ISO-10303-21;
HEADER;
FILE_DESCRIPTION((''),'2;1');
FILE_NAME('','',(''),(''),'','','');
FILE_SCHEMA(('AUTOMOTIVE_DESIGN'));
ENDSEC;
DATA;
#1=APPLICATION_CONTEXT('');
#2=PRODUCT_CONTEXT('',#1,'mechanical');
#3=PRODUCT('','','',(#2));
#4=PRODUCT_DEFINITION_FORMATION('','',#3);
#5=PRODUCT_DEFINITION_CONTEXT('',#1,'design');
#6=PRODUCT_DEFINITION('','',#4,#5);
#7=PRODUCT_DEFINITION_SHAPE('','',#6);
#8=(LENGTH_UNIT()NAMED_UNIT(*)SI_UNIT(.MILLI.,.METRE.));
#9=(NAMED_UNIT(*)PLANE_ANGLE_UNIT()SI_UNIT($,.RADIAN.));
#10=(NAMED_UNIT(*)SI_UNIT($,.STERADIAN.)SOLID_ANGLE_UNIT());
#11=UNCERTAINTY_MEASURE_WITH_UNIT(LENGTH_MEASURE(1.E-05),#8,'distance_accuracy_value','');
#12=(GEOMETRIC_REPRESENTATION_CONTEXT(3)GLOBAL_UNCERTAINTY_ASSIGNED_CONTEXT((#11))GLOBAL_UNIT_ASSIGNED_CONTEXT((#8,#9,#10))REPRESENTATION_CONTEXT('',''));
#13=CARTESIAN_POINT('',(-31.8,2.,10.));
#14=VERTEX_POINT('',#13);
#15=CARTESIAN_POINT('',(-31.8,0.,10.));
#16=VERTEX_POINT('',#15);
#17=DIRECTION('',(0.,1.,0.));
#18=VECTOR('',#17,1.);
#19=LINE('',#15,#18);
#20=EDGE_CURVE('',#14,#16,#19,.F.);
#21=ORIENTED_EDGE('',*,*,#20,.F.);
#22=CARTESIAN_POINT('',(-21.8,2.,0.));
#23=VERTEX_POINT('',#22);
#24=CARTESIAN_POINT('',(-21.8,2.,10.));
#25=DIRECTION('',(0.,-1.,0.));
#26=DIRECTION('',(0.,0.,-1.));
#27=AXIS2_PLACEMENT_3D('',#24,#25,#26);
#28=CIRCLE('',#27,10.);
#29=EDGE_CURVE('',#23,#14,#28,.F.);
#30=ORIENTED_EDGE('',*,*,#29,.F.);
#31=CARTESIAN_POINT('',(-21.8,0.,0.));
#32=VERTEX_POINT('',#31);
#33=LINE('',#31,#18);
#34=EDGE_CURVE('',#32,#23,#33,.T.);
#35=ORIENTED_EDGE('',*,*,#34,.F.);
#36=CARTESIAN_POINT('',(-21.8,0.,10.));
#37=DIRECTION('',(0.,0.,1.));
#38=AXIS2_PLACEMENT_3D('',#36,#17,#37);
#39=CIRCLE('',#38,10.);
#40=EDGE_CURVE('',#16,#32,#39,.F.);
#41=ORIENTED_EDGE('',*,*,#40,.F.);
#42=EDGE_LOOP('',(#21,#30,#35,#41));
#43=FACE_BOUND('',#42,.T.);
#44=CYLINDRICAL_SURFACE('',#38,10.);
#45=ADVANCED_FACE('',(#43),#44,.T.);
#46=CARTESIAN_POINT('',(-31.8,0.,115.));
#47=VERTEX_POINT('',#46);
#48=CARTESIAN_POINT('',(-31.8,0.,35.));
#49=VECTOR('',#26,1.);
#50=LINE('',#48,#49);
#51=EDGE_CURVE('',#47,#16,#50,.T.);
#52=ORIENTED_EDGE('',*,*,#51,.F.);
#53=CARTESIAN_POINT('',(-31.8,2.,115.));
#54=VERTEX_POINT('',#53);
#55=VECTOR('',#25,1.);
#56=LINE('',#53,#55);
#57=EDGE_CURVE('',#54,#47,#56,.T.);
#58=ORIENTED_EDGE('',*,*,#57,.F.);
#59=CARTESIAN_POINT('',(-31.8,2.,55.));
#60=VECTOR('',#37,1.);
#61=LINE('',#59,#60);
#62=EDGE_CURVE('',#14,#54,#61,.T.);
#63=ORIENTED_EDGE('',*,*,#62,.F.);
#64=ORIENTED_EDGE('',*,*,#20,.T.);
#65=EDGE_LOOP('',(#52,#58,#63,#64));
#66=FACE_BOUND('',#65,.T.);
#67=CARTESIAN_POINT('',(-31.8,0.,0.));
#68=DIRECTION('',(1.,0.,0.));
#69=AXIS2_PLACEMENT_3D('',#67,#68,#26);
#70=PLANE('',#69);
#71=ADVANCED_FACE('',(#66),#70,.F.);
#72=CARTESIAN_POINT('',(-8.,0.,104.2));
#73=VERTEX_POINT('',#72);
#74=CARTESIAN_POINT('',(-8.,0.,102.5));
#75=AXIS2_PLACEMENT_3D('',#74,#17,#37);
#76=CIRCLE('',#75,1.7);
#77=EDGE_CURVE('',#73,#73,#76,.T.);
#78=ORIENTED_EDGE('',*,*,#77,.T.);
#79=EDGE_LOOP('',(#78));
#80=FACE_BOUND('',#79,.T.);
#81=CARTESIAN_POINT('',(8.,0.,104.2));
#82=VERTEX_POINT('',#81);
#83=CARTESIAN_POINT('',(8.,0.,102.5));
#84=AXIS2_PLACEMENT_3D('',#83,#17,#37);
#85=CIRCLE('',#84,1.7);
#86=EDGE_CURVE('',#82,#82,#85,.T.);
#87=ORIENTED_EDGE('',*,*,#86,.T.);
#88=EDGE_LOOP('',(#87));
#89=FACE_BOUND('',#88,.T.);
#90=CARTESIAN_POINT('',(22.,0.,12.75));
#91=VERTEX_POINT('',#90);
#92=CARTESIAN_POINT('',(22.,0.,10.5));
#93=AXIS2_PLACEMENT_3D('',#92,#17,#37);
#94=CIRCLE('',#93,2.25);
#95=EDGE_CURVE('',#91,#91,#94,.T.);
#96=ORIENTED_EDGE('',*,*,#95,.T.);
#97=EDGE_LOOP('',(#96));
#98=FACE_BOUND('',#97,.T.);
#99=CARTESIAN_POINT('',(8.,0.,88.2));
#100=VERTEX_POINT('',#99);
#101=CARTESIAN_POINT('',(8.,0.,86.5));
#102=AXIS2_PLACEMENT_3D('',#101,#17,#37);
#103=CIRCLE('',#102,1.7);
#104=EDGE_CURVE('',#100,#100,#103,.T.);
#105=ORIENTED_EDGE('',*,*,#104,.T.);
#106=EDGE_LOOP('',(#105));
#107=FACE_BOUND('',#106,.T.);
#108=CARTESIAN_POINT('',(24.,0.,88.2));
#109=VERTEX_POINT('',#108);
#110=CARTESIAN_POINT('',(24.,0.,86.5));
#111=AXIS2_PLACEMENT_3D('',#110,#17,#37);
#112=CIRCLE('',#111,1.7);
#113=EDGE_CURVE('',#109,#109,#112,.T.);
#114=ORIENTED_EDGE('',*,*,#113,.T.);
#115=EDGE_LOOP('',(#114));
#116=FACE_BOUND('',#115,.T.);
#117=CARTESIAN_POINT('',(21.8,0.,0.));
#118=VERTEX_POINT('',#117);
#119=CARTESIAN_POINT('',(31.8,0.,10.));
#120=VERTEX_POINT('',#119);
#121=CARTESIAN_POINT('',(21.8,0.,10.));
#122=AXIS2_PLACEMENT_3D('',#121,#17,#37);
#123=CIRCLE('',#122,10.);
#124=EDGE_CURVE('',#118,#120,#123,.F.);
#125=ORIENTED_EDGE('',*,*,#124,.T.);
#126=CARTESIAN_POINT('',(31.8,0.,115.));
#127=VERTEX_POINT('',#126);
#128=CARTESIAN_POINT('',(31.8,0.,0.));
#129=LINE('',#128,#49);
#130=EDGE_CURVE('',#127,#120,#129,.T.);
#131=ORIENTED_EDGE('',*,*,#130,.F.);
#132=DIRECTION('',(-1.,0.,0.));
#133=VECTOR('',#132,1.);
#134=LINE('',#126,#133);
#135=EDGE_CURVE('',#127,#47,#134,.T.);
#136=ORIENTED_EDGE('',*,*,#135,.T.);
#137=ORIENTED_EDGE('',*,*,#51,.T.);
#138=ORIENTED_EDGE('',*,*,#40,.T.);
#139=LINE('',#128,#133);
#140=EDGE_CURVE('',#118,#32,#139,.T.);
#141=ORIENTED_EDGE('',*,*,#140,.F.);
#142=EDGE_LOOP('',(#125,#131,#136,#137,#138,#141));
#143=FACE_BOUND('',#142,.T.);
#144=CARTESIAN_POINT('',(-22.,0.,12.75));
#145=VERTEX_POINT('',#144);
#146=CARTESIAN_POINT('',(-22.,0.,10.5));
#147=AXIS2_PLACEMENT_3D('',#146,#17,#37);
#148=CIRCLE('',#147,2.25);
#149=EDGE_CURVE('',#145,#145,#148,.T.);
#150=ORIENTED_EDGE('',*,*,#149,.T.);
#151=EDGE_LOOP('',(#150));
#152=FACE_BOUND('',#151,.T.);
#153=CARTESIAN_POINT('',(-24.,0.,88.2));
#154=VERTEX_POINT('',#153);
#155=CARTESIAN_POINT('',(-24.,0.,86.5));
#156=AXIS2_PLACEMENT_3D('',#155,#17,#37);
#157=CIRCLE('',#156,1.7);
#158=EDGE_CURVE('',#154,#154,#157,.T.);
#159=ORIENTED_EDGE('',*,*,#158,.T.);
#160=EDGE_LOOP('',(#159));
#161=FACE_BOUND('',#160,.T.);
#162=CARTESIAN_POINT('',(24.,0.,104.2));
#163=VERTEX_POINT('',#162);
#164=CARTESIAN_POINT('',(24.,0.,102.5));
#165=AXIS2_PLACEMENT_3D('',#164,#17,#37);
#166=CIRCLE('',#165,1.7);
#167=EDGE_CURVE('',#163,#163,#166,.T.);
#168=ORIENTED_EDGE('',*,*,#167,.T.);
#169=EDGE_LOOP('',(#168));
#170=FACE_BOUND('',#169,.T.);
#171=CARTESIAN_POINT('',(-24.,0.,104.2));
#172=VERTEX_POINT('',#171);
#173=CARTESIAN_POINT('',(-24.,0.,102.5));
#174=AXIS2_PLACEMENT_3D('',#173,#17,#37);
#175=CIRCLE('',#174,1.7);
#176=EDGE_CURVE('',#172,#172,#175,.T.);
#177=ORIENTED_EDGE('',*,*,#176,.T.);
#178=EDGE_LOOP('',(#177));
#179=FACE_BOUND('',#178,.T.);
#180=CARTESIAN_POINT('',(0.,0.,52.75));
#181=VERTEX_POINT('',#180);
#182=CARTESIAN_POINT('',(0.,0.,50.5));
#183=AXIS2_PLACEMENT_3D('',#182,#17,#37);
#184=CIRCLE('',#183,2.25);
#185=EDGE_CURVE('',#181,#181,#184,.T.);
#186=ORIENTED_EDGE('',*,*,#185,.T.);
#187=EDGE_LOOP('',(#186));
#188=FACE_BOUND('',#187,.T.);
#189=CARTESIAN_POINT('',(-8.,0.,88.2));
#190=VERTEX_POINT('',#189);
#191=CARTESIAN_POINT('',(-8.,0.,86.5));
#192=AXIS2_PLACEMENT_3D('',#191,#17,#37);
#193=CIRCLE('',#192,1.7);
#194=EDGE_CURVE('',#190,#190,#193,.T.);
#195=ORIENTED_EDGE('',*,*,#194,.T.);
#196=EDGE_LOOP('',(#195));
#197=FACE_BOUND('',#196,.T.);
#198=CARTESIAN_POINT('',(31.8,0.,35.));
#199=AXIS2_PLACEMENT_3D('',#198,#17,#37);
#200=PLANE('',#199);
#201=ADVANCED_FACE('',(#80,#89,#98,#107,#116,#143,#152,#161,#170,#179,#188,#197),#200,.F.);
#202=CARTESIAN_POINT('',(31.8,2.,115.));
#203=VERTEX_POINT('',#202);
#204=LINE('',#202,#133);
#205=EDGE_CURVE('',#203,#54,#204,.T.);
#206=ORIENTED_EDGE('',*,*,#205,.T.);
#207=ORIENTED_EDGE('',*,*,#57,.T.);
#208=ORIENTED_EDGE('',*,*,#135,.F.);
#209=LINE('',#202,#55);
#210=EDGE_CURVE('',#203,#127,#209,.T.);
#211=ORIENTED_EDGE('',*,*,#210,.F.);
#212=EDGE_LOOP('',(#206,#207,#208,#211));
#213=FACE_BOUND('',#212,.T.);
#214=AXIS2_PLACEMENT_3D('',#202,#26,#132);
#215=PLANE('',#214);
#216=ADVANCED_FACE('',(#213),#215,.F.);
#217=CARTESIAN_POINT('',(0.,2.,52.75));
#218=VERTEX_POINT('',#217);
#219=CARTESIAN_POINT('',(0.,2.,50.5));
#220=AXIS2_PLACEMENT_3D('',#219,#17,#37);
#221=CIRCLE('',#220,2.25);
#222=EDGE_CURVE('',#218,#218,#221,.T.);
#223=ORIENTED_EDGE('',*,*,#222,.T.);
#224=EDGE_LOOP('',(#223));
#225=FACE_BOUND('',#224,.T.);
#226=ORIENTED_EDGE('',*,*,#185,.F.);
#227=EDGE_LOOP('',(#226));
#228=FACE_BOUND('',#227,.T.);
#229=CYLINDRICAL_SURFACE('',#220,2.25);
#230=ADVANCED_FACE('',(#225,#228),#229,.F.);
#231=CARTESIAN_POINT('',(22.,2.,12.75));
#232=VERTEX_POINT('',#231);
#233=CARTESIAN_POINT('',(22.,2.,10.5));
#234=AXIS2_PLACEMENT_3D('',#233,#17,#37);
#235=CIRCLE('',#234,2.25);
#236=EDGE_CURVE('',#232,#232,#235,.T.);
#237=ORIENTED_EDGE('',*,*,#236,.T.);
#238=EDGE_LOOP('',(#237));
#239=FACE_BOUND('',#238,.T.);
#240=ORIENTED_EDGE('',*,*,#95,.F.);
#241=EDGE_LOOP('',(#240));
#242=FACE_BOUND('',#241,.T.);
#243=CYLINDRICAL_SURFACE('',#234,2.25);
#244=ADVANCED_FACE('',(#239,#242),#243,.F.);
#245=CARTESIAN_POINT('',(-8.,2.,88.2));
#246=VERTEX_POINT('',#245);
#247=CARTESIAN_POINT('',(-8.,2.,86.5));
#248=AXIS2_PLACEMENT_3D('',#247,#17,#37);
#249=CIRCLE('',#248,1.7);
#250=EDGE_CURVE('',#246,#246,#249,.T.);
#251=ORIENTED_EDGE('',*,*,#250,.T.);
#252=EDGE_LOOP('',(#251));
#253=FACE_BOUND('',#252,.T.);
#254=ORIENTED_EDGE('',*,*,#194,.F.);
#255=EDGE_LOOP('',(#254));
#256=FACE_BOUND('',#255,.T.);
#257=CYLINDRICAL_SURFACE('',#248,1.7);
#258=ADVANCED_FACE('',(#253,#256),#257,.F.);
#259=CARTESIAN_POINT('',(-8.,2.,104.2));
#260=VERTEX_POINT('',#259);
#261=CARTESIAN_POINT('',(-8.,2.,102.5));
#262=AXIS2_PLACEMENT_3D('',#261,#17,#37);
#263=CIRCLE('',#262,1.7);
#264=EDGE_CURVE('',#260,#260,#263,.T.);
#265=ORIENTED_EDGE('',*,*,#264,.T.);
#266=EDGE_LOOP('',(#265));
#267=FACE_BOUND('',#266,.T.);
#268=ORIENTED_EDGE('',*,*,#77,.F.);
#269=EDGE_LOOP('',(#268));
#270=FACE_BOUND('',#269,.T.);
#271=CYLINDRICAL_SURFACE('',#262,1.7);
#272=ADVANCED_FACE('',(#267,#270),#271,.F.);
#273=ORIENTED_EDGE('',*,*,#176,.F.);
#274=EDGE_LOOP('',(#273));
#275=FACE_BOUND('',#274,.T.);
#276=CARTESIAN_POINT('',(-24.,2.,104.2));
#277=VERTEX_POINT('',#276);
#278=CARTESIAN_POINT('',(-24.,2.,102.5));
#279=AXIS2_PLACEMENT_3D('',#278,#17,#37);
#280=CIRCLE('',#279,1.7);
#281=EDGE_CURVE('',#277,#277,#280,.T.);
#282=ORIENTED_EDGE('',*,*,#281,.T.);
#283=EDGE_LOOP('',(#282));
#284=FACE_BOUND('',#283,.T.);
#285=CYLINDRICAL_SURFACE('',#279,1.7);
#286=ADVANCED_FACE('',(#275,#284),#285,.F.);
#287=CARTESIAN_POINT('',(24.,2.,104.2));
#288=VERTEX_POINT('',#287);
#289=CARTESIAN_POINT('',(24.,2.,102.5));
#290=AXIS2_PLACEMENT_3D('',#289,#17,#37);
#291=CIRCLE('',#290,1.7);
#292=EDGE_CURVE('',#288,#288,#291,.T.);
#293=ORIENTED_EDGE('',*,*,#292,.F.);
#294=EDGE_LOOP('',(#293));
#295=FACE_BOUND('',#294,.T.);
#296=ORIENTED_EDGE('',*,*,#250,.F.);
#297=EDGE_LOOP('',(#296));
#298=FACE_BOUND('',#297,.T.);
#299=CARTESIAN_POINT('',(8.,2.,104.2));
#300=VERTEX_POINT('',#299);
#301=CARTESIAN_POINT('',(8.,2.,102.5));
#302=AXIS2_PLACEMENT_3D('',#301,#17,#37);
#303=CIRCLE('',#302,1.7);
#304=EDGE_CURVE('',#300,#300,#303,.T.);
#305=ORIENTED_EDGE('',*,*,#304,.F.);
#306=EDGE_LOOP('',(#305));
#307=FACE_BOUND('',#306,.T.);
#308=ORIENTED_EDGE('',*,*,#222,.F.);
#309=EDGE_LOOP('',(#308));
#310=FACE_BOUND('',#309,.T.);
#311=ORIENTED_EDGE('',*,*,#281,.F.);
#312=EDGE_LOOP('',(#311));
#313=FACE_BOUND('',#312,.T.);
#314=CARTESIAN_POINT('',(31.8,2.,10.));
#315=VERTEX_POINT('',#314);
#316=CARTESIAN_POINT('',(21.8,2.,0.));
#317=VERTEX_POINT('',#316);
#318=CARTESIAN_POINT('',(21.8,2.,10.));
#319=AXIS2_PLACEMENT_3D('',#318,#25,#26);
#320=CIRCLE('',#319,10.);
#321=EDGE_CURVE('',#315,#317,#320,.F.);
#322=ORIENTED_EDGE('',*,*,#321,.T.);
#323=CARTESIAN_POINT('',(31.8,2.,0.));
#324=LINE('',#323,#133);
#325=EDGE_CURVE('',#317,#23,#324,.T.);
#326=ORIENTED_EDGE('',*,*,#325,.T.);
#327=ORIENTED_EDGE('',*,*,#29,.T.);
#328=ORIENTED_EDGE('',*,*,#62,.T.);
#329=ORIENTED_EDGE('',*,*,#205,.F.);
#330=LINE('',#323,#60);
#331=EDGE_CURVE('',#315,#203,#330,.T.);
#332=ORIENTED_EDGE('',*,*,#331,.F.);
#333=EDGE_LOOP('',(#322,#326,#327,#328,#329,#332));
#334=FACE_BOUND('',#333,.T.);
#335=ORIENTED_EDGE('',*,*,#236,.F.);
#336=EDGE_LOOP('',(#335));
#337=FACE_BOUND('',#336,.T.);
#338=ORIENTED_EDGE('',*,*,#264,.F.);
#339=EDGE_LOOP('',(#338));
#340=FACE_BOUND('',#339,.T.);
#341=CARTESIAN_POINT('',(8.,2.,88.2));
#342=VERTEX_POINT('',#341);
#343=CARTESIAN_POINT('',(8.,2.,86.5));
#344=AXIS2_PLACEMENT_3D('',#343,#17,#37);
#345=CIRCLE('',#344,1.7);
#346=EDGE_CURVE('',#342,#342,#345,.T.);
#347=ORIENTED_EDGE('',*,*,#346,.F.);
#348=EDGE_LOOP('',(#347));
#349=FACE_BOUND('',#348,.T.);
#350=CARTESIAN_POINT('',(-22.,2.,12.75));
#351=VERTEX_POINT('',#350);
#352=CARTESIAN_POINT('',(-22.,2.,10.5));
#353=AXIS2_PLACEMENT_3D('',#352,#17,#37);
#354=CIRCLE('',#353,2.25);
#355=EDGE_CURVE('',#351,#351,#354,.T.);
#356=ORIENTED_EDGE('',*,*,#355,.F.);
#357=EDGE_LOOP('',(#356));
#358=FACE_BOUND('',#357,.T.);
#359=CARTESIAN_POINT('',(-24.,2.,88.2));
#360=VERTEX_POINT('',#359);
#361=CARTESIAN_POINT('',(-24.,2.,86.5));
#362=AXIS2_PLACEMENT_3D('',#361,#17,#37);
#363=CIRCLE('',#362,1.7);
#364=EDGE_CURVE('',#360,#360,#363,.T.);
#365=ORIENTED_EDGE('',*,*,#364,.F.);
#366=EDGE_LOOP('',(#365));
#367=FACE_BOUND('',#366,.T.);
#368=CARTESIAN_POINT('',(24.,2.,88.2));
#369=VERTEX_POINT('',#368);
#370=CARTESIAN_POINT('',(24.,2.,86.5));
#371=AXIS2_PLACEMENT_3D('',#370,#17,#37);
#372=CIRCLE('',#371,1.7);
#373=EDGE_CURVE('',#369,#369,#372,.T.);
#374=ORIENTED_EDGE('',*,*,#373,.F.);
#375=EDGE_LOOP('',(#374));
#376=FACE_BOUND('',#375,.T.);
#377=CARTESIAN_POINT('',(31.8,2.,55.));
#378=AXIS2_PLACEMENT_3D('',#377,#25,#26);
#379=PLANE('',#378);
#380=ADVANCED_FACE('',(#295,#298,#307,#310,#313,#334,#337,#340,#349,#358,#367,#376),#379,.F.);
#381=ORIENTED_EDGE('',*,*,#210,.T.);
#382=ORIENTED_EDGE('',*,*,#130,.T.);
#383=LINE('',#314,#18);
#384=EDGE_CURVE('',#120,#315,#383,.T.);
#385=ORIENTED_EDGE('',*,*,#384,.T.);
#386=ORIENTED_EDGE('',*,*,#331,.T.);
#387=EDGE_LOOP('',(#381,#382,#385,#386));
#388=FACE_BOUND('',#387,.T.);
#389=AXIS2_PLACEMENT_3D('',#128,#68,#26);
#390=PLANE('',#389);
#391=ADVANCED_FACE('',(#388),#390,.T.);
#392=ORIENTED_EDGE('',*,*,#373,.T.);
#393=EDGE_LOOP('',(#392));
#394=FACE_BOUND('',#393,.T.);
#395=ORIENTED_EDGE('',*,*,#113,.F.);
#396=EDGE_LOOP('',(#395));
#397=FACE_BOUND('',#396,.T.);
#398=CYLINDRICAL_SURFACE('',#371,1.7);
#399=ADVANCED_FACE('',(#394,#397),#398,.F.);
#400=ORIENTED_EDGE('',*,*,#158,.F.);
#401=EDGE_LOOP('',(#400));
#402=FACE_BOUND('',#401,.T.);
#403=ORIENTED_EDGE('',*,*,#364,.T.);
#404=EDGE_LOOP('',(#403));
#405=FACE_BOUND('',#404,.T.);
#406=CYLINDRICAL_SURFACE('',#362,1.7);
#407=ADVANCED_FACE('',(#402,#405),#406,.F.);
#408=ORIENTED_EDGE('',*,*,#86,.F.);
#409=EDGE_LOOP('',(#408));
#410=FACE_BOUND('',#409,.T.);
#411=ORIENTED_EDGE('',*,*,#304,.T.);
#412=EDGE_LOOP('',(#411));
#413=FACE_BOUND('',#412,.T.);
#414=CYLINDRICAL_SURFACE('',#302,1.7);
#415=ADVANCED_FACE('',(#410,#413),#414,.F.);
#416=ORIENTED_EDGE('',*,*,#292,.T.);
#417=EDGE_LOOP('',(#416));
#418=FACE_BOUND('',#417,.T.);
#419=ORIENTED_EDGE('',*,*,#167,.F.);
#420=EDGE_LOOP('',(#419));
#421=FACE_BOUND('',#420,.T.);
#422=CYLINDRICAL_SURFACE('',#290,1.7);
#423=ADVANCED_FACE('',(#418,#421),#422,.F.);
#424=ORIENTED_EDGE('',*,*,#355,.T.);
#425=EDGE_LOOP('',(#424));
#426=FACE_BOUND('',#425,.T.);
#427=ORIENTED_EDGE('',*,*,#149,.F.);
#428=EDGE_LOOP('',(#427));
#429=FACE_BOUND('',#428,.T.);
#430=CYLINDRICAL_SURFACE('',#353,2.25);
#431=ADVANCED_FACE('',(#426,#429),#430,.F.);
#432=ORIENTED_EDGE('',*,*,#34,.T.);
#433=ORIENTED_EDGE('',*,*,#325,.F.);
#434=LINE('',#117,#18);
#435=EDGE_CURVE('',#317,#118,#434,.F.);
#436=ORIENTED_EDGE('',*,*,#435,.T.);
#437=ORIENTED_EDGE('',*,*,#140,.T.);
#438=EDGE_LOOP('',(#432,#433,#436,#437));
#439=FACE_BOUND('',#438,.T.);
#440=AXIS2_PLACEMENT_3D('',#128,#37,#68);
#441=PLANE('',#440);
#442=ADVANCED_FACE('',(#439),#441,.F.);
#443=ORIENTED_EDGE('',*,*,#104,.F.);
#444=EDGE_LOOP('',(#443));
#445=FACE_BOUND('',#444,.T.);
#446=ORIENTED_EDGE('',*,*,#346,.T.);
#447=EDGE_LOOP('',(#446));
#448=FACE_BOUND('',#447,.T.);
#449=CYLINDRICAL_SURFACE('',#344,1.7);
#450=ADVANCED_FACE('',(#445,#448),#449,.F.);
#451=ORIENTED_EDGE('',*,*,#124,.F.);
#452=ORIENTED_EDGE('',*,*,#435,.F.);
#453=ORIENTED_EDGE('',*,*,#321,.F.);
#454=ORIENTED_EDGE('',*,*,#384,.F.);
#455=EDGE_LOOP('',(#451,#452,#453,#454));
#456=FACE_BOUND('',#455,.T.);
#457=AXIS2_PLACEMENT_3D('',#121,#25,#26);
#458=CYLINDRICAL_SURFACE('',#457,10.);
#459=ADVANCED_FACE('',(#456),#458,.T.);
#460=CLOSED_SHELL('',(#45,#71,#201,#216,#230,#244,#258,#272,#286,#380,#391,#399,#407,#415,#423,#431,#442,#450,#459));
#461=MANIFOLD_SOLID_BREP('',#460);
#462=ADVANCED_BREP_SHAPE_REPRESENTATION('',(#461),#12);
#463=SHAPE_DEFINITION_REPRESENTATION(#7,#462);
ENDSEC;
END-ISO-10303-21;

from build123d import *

# Parameters (mm, degrees)
SHEET_EXTRUDE_DEPTH      = 31.8
M3_CLEARANCE_HOLE1_D     = 3.4
M3_CLEARANCE_HOLE1_DEPTH = 8.5
M3_CLEARANCE_HOLE1_TIP   = 1.021463052
M4_CLEARANCE_HOLE1_D     = 4.5
M4_CLEARANCE_HOLE1_DEPTH = 7.5
M4_CLEARANCE_HOLE1_TIP   = 1.351936393
FILLET1_R                = 10


with BuildPart() as part:
    # Sketch2 → Sheet Extrude (new body, symmetric)
    with BuildSketch(Plane(origin=(0, 0, 0), x_dir=(0, 0, -1), z_dir=(1, 0, 0))):
        Polygon((0, 0), (0, 2), (-35, 2), (-55, 2), (-115, 2), (-115, 0), (-55, 0), (-35, 0), align=None)
    extrude(amount=SHEET_EXTRUDE_DEPTH, both=True)

    # M3 Clearance Hole1
    with Locations(Plane(origin=(0, 2, 0), x_dir=(1, 0, 0), z_dir=(0, 1, 0))):
        with Locations((-24, -102.5), (-24, -86.5), (-8, -86.5), (-8, -102.5), (24, -102.5), (8, -102.5), (8, -86.5), (24, -86.5)):
            Hole(M3_CLEARANCE_HOLE1_D / 2, depth=M3_CLEARANCE_HOLE1_DEPTH)
            with Locations((0, 0, -(M3_CLEARANCE_HOLE1_DEPTH + M3_CLEARANCE_HOLE1_TIP / 2))):  # 118° drill point
                Cone(0, M3_CLEARANCE_HOLE1_D / 2, M3_CLEARANCE_HOLE1_TIP, mode=Mode.SUBTRACT)

    # M4 Clearance Hole1
    with Locations(Plane(origin=(0, 2, 0), x_dir=(1, 0, 0), z_dir=(0, 1, 0))):
        with Locations((0, -50.5), (22, -10.5), (-22, -10.5)):
            Hole(M4_CLEARANCE_HOLE1_D / 2, depth=M4_CLEARANCE_HOLE1_DEPTH)
            with Locations((0, 0, -(M4_CLEARANCE_HOLE1_DEPTH + M4_CLEARANCE_HOLE1_TIP / 2))):  # 118° drill point
                Cone(0, M4_CLEARANCE_HOLE1_D / 2, M4_CLEARANCE_HOLE1_TIP, mode=Mode.SUBTRACT)

    # Fillet1
    fillet1_edges = [part.edges().sort_by_distance(p)[0] for p in [
        (-31.8, 1, 0),
        (31.8, 1, 0),
    ]]
    fillet(fillet1_edges, radius=FILLET1_R)


solid = part.part
